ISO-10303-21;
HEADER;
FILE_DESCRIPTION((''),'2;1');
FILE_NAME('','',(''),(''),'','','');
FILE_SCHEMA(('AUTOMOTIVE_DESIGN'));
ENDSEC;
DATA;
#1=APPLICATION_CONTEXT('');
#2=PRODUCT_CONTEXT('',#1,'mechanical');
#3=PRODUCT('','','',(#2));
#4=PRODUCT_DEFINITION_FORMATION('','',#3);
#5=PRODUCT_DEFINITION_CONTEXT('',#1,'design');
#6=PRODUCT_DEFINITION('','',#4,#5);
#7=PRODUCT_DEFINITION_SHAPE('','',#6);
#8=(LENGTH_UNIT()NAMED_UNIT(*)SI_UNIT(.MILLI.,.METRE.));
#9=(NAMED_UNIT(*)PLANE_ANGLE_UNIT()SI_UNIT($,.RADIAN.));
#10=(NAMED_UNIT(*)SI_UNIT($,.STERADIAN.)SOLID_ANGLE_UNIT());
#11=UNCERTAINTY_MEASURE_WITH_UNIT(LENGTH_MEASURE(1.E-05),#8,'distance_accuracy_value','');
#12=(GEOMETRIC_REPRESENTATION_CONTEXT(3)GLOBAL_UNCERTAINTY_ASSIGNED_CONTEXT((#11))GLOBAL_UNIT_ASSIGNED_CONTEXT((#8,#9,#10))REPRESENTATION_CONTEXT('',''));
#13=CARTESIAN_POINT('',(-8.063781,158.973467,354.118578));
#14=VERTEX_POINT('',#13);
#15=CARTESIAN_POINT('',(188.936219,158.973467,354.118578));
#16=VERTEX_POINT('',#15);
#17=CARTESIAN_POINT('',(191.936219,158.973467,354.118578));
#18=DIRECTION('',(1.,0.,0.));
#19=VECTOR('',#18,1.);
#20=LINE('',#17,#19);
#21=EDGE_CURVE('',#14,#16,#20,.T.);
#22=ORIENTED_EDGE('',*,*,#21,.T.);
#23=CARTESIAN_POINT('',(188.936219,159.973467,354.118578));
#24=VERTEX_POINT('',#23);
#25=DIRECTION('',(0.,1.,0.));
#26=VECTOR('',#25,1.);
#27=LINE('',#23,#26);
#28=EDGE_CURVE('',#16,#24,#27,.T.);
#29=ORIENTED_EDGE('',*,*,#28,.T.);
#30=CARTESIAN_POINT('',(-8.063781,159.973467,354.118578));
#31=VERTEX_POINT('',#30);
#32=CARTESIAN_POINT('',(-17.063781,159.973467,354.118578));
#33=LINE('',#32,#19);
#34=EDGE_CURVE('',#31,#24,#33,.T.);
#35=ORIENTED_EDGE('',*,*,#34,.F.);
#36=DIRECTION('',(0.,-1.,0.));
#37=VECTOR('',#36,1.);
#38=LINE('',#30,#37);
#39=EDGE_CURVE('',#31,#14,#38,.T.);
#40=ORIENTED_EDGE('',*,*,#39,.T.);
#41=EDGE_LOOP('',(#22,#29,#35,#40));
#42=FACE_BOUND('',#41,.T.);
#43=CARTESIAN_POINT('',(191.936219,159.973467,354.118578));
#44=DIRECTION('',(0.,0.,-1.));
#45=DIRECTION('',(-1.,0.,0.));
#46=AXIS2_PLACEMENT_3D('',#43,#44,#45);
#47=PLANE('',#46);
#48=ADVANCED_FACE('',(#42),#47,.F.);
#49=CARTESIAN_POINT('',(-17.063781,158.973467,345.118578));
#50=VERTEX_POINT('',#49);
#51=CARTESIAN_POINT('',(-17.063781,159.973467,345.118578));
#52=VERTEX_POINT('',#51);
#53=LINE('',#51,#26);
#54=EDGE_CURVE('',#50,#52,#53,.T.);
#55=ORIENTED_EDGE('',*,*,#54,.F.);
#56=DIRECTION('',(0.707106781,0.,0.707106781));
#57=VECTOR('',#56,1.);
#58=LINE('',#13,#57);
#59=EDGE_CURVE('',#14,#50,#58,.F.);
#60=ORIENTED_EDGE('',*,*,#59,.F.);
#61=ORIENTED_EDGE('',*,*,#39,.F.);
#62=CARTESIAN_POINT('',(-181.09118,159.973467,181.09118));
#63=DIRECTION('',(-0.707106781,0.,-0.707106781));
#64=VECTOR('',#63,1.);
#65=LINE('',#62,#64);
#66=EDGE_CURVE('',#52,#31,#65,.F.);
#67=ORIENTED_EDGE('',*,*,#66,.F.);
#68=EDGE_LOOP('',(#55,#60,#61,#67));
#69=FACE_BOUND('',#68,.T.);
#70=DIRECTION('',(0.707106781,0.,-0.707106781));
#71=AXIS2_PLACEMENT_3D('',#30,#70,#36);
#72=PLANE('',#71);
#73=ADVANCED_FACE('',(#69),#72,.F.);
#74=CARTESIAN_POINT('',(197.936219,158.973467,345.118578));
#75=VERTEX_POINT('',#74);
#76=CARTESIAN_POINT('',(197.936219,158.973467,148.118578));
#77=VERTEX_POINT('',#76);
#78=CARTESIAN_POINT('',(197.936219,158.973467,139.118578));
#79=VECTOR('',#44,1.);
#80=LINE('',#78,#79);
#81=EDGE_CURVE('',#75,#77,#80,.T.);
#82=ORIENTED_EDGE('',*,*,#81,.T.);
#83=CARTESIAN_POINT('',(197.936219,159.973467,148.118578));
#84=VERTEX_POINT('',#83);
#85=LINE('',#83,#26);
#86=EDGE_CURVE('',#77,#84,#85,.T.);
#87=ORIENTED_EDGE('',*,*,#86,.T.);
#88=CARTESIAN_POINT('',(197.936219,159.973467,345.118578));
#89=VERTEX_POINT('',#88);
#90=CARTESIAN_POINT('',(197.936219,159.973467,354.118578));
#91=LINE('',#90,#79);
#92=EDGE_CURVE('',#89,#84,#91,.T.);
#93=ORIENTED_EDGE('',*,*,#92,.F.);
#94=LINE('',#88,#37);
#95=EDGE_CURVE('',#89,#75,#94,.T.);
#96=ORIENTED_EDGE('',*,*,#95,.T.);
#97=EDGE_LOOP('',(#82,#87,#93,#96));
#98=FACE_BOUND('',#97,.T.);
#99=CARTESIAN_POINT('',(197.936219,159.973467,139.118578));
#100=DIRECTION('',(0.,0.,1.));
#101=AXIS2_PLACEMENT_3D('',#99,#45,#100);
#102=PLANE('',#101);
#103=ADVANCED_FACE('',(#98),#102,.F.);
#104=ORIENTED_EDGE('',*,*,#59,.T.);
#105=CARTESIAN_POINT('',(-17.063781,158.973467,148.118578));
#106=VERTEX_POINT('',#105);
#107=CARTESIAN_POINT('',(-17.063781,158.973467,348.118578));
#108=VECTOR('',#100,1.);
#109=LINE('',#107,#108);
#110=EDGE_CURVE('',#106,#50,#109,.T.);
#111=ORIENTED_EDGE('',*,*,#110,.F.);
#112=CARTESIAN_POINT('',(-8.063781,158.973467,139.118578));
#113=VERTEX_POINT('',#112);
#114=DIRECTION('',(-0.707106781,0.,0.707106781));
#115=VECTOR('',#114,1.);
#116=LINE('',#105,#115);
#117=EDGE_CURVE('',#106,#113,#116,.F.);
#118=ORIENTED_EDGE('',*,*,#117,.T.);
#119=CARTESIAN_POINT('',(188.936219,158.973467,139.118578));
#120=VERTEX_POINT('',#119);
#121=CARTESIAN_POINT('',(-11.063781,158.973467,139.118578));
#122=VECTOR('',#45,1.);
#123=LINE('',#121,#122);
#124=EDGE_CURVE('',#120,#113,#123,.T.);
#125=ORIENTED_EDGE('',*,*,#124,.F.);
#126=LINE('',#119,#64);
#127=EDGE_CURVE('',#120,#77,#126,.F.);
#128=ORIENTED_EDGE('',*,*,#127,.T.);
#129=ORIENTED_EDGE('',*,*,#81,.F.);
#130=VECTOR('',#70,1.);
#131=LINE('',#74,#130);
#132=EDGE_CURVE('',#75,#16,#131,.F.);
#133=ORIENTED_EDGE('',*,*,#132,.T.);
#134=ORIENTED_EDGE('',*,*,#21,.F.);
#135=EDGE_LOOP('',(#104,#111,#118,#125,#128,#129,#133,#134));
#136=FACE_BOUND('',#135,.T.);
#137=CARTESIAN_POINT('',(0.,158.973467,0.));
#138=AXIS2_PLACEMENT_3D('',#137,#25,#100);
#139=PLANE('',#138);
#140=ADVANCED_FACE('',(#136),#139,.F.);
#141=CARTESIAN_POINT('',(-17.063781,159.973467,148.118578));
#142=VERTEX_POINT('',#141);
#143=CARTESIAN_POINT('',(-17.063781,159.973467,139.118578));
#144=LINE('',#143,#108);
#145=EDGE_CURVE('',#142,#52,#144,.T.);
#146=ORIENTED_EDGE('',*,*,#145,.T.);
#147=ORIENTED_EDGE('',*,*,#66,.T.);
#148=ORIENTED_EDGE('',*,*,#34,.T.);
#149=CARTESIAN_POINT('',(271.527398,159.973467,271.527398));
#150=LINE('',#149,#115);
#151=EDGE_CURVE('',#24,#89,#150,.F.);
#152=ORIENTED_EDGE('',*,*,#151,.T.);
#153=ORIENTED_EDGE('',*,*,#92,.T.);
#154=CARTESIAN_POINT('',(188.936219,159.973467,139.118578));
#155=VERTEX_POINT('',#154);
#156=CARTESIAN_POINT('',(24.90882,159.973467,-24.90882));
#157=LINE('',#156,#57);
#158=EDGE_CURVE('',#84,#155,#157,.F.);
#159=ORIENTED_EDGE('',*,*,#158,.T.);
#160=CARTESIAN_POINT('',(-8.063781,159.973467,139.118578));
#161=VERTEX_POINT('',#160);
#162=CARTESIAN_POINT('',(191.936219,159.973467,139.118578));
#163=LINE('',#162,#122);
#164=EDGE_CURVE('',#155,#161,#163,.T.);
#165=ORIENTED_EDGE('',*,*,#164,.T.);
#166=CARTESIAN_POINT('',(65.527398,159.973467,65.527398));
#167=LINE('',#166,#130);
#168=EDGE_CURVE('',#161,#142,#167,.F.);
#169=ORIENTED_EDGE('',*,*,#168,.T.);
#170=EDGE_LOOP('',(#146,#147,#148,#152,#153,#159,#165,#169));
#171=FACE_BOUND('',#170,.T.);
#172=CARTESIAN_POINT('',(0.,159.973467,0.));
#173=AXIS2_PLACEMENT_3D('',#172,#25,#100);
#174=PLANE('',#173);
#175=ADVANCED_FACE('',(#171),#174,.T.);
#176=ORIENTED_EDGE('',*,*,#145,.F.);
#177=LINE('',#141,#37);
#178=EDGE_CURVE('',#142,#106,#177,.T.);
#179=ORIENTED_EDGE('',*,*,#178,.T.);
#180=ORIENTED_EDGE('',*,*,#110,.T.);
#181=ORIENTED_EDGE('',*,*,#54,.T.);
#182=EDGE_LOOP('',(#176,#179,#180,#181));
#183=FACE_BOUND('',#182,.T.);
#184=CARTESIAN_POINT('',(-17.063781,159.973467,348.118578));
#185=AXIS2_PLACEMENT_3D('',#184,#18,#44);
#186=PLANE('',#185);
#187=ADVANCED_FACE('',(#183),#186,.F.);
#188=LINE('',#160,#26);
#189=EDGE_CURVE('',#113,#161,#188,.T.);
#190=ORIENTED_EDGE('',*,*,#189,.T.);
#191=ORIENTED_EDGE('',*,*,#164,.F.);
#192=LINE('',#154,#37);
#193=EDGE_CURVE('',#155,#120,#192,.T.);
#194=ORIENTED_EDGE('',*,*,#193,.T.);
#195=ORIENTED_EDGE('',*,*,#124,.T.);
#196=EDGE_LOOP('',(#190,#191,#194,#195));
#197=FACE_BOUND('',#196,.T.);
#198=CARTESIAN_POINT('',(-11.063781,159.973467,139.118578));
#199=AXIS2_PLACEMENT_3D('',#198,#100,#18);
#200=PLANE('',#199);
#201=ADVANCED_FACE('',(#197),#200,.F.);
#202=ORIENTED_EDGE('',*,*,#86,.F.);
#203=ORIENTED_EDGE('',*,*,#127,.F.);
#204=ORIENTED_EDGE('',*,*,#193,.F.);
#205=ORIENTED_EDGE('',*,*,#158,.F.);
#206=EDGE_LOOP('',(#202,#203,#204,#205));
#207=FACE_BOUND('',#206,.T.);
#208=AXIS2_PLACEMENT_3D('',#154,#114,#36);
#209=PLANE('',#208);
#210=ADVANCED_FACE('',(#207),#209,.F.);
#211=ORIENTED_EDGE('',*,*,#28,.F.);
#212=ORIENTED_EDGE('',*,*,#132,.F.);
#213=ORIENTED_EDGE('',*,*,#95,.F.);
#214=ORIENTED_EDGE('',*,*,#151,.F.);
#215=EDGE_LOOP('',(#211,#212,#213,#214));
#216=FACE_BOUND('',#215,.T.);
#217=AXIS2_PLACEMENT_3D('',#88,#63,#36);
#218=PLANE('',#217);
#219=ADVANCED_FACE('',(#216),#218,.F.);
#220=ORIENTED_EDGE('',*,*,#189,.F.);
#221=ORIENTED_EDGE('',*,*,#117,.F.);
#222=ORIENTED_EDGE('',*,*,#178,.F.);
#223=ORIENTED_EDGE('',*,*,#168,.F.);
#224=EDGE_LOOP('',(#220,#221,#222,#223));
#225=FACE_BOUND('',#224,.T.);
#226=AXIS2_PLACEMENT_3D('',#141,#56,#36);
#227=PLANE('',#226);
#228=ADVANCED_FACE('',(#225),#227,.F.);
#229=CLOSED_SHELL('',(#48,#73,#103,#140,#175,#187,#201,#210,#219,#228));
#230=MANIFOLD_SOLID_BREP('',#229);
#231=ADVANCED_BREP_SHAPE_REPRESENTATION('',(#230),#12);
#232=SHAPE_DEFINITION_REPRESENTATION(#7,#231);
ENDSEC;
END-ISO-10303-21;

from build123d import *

# Parameters (mm, degrees)
BOSS_EXTRUDE1_DEPTH = 1
CHAMFER2_SIZE       = 9


with BuildPart() as part:
    # Sketch1 → Boss-Extrude1 (new body)
    with BuildSketch(Plane(origin=(0, 158.973467121, 0), x_dir=(1, 0, 0), z_dir=(0, 1, 0))):
        Polygon((127.936218841, -354.11857787), (191.936218841, -354.11857787), (197.936218841, -354.11857787), (197.936218841, -348.11857787), (197.936218841, -145.11857787), (197.936218841, -139.11857787), (191.936218841, -139.11857787), (-11.063781159, -139.11857787), (-17.063781159, -139.11857787), (-17.063781159, -145.11857787), (-17.063781159, -348.11857787), (-17.063781159, -354.11857787), (-11.063781159, -354.11857787), (52.936218841, -354.11857787), align=None)
    extrude(amount=BOSS_EXTRUDE1_DEPTH)

    # Chamfer2
    chamfer2_edges = [part.edges().sort_by_distance(p)[0] for p in [
        (-17.063781159, 159.473467121, 354.11857787),
        (-17.063781159, 159.473467121, 139.11857787),
        (197.936218841, 159.473467121, 139.11857787),
        (197.936218841, 159.473467121, 354.11857787),
    ]]
    chamfer(chamfer2_edges, length=CHAMFER2_SIZE)


solid = part.part
